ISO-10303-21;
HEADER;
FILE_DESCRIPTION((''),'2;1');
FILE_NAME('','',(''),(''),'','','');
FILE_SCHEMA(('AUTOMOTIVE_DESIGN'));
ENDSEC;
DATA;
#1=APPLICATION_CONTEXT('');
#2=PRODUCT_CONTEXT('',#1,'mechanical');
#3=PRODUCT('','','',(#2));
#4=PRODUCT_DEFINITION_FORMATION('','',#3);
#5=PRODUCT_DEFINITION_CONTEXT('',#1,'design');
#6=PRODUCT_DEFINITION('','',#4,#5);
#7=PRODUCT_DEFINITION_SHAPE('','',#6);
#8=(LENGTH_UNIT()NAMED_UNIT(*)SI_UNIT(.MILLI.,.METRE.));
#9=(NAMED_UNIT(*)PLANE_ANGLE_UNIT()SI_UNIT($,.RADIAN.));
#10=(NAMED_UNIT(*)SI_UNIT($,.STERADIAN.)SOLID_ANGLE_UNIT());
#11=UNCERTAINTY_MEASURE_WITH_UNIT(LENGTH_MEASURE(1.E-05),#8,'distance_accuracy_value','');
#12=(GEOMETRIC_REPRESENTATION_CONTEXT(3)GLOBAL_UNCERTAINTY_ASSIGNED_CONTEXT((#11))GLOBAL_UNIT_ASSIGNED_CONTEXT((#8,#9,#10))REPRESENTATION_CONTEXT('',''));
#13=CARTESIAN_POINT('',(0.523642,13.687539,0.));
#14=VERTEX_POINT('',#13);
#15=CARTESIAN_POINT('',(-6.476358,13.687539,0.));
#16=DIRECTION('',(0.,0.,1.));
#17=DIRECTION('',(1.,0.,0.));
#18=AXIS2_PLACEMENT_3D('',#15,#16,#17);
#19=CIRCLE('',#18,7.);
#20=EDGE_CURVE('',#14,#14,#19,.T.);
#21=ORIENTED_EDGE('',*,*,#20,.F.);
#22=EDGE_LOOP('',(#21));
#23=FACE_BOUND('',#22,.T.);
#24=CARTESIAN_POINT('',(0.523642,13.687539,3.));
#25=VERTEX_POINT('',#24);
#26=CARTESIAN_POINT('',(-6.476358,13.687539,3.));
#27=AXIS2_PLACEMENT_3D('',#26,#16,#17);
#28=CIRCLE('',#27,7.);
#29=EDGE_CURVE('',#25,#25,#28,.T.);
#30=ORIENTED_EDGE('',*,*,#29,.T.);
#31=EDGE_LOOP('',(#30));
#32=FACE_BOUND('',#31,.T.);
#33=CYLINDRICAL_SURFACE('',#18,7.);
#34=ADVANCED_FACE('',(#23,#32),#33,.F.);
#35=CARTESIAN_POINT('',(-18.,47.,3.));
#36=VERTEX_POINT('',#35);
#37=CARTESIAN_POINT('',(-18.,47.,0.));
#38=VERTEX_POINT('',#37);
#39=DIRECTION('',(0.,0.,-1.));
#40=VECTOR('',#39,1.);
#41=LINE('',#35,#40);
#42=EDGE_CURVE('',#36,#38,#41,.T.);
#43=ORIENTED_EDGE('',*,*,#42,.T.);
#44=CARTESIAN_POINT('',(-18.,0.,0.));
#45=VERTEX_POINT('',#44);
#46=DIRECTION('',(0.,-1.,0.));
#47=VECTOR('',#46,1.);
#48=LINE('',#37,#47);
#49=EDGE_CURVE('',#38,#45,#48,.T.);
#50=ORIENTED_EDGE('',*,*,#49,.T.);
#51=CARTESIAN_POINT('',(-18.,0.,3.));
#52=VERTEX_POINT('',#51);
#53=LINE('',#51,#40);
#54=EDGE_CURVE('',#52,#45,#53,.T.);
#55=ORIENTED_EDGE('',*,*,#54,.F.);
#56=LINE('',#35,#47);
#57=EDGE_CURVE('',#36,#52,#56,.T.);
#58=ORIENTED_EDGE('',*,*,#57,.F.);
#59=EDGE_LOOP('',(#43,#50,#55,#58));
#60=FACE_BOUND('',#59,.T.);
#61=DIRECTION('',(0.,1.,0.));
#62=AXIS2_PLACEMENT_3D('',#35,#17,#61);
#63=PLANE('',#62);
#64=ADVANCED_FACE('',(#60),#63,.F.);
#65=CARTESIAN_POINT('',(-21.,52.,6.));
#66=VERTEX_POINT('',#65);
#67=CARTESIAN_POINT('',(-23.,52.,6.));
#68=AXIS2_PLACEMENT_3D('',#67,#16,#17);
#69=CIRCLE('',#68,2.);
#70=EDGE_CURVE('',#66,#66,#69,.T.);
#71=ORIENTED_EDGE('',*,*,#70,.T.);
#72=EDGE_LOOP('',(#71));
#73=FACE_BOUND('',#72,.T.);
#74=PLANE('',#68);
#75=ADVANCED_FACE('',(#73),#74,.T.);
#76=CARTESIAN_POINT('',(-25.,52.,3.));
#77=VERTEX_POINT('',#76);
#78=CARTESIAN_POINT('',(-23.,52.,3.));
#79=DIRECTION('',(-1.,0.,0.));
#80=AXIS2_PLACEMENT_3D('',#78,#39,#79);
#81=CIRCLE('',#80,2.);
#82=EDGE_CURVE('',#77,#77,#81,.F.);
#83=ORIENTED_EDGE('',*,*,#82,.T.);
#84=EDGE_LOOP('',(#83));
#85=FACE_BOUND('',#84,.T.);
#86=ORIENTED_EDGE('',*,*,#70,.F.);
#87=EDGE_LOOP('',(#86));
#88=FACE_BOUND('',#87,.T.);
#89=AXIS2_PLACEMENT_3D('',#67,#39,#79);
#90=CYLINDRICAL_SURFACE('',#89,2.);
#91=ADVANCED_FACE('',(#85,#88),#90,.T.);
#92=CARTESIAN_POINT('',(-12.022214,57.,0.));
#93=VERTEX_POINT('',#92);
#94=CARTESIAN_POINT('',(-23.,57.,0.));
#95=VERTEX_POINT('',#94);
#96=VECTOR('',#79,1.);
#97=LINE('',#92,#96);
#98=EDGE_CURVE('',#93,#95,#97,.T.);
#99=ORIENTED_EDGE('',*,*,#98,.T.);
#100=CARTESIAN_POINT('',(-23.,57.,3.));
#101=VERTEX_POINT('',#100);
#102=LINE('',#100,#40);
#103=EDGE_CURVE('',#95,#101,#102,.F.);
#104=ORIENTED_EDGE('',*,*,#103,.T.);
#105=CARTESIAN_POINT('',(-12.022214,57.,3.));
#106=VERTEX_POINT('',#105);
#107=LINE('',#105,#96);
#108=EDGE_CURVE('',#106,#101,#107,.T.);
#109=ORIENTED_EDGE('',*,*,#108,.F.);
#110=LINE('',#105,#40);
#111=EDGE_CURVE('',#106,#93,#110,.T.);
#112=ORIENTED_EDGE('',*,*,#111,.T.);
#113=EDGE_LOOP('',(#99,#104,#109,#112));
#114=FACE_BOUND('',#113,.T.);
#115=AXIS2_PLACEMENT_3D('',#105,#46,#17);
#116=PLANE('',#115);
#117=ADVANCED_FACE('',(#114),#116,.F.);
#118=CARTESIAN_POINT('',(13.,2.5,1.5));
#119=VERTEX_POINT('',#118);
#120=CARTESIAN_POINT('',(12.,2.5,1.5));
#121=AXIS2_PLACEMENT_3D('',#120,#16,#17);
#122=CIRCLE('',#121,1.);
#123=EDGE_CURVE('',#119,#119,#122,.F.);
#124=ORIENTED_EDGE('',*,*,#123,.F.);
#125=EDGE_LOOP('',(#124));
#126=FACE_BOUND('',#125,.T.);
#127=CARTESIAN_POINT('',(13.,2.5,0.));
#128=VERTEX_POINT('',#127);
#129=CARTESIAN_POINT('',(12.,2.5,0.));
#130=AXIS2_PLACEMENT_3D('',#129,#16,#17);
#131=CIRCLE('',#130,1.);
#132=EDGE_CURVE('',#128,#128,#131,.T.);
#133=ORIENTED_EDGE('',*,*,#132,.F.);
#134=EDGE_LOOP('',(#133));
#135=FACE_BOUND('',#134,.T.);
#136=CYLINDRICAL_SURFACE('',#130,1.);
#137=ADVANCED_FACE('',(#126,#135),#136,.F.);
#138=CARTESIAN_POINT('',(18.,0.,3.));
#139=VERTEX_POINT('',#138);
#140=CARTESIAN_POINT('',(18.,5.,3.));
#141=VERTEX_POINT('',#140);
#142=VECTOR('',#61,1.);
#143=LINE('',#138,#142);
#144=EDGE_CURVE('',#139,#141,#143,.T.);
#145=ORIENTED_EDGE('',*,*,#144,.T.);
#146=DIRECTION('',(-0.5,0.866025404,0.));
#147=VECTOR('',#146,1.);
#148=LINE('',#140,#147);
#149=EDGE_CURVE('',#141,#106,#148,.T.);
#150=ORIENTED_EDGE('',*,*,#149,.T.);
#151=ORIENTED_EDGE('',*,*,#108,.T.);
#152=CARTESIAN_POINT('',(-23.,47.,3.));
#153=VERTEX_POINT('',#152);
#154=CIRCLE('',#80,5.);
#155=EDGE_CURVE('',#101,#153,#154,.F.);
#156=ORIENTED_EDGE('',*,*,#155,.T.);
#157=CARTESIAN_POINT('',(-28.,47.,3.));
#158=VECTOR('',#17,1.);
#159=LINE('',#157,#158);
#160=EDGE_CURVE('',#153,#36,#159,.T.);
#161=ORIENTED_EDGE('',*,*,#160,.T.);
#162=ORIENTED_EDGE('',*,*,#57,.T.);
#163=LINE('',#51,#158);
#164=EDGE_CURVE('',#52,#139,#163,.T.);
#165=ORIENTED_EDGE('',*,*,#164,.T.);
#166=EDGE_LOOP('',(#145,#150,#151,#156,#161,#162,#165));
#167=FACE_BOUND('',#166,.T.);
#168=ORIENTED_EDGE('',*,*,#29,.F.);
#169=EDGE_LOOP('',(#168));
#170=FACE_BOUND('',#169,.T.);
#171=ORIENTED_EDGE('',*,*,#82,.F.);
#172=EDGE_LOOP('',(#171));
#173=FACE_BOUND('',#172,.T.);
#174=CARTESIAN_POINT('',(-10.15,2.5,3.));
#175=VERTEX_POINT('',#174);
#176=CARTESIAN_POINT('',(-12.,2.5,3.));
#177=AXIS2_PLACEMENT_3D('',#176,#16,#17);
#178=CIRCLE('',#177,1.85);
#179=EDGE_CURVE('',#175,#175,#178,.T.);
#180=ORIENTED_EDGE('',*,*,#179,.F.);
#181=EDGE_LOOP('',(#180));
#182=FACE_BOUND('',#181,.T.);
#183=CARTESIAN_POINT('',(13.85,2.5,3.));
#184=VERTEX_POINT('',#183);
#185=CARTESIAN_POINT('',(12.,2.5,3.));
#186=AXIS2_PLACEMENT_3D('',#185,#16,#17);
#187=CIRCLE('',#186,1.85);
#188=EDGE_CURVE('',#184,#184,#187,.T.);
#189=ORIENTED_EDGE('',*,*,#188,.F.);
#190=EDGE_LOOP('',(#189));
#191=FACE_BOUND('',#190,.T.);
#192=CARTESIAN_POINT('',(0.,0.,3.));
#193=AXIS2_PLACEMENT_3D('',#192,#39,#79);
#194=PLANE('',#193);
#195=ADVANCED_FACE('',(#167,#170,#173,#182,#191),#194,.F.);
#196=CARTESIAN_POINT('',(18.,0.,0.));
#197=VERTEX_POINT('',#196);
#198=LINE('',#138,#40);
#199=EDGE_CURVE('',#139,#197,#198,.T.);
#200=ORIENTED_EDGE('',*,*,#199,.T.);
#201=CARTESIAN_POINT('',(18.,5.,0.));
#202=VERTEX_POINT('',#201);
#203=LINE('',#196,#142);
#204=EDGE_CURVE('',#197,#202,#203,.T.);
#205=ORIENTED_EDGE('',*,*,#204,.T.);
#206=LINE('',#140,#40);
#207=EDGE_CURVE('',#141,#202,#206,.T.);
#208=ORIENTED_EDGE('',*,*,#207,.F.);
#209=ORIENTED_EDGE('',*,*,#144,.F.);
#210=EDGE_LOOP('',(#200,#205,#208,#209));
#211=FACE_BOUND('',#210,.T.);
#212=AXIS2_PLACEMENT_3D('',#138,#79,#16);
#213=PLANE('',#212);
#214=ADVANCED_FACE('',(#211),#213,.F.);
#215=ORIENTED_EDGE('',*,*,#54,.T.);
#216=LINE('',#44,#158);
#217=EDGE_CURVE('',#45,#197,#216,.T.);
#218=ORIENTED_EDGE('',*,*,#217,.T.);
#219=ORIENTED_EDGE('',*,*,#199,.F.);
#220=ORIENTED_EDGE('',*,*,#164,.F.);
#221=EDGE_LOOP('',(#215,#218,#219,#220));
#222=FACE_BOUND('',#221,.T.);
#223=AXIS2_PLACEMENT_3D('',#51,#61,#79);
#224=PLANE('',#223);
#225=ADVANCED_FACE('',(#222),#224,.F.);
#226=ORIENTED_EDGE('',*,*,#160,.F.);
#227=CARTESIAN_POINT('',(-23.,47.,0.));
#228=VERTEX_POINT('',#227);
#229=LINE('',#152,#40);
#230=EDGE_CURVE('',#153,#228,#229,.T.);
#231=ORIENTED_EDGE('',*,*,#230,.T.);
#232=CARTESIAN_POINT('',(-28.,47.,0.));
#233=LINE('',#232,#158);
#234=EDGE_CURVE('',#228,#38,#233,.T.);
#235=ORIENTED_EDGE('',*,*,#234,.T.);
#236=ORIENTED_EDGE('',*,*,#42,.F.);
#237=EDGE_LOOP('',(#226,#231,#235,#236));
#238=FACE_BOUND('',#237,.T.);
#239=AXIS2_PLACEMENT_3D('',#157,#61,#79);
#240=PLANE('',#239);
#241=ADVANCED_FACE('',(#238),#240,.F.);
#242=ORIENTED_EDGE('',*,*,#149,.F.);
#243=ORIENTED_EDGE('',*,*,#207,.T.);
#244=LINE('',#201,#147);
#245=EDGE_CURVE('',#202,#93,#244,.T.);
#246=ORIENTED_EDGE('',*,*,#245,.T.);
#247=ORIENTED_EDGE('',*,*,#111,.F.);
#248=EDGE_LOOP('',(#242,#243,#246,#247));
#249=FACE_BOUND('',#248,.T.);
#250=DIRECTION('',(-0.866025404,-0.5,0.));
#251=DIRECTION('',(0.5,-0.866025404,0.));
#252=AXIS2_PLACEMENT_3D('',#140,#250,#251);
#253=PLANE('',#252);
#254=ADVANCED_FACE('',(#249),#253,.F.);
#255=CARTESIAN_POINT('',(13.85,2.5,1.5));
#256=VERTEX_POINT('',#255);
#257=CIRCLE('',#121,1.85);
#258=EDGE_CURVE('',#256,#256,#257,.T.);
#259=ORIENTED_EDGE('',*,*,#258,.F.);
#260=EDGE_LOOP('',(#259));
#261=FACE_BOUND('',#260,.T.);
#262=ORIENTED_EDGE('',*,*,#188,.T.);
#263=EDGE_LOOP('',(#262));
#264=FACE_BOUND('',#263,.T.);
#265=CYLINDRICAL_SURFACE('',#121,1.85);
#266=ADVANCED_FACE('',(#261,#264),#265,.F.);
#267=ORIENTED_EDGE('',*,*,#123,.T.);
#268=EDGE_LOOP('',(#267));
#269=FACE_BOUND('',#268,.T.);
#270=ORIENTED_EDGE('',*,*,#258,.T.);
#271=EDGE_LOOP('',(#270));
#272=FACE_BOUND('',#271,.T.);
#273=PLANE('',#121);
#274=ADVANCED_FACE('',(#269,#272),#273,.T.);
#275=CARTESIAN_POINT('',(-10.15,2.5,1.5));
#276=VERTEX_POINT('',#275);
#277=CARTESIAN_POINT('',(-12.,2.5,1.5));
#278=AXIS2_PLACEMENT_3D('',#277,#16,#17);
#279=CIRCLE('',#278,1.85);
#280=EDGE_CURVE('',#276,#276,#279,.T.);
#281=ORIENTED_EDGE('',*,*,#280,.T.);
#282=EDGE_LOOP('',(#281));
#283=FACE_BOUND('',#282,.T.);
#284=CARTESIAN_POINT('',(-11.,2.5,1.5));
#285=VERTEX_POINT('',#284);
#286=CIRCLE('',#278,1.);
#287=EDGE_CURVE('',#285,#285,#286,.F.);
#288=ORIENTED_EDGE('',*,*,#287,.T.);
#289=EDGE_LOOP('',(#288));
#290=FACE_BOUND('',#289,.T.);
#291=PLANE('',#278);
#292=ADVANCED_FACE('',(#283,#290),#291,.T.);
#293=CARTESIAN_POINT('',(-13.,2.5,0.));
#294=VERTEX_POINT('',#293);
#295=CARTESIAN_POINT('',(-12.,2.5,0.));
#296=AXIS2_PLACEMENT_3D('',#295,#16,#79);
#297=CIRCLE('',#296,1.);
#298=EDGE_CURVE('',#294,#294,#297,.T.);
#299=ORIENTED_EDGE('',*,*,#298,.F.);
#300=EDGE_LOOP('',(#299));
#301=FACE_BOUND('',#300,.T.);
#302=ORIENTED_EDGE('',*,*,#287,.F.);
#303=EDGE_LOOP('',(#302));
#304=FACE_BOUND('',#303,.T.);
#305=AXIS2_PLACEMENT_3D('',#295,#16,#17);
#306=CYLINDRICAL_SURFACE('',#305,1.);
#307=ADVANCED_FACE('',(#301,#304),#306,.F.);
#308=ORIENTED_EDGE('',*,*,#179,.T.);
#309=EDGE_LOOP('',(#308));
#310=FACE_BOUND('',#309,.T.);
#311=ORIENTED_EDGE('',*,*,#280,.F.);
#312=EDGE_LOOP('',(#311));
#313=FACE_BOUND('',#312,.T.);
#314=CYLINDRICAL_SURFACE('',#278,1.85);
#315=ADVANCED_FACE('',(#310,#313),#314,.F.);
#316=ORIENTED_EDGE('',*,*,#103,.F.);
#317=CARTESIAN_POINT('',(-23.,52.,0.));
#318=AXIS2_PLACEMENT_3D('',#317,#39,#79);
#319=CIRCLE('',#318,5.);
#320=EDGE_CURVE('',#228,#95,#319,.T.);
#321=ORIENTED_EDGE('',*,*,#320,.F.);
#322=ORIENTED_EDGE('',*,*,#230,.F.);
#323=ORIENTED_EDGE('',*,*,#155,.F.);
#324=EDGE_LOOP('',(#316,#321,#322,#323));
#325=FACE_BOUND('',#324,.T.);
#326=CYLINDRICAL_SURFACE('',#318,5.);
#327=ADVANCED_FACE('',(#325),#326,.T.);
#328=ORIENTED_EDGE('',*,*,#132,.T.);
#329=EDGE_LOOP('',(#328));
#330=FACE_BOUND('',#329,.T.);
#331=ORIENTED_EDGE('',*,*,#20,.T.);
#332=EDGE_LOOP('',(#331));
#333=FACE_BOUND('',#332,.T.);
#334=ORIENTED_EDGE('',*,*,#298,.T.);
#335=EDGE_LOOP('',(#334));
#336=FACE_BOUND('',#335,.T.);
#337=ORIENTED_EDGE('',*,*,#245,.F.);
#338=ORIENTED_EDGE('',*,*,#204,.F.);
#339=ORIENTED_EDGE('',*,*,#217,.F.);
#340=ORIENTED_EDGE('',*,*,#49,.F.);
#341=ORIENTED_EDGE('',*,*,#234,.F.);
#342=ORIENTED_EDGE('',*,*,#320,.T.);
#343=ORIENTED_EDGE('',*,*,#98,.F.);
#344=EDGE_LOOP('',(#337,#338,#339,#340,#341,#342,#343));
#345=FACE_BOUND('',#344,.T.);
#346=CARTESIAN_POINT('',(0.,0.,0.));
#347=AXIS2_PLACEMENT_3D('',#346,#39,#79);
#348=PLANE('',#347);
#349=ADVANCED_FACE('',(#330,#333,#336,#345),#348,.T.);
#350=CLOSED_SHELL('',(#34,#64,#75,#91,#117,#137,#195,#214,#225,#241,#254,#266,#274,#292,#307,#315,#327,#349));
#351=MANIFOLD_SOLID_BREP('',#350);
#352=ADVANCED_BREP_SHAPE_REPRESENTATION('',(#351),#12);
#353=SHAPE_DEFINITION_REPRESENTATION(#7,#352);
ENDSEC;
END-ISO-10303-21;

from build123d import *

# Parameters (mm, degrees)
EXTRUDE_1_DEPTH     = 3
SKETCH_3_R          = 7
CUT_EXTRUDE_1_DEPTH = 64.576725301
SKETCH_4_R          = 1
CUT_EXTRUDE_2_DEPTH = 64.576725301
SKETCH_5_R          = 2
EXTRUDE_2_DEPTH     = 3
FILLET_1_RADIUS     = 5
FILLET_1_LENGTH     = 3
SKETCH_6_R          = 1.85
CUT_EXTRUDE_3_DEPTH = 1.5


with BuildPart() as part:
    # 草图1 → 凸台-拉伸1 (new body)
    with BuildSketch(Plane.XY):
        Polygon((-18, 0), (18, 0), (18, 5), (-12.022213998, 57), (-28, 57), (-28, 47), (-18, 47), align=None)
    extrude(amount=EXTRUDE_1_DEPTH)

    # 草图3 → 切除-拉伸1 (cut, through all)
    with BuildSketch(Plane.XY.offset(3)):
        with Locations((-6.476357534, 13.687539211)):
            Circle(SKETCH_3_R)
    extrude(amount=-CUT_EXTRUDE_1_DEPTH, mode=Mode.SUBTRACT)

    # 草图4 → 切除-拉伸2 (cut, through all)
    with BuildSketch(Plane.XY.offset(3)):
        with Locations((12, 2.5)):
            Circle(SKETCH_4_R)
        with Locations(Location((-12, 2.5, 0), (0, 0, 180))):
            Circle(SKETCH_4_R)
    extrude(amount=-CUT_EXTRUDE_2_DEPTH, mode=Mode.SUBTRACT)

    # 草图5 → 凸台-拉伸2 (add)
    with BuildSketch(Plane.XY.offset(3)):
        with Locations(Location((-23, 52, 0), (0, 0, 180))):
            Circle(SKETCH_5_R)
    extrude(amount=EXTRUDE_2_DEPTH)

    # 圆角1: full round fillet: the end face becomes a half cylinder, R = half its width
    fillet_1_face = Plane((-28, 52, 1.5), x_dir=(0, 0, 1), z_dir=(-1, 0, 0))  # on the end face: x along it, z out of the body
    fillet_1_slab = fillet_1_face.offset(-FILLET_1_RADIUS / 2) * Box(FILLET_1_LENGTH, 2 * FILLET_1_RADIUS, FILLET_1_RADIUS, mode=Mode.PRIVATE)  # the body's end, R deep
    fillet_1_round = Plane((-23, 52, 1.5), x_dir=(-1, 0, 0), z_dir=(0, 0, 1)) * Cylinder(FILLET_1_RADIUS, FILLET_1_LENGTH, mode=Mode.PRIVATE)  # its axis R under the face
    add(fillet_1_slab - fillet_1_round, mode=Mode.SUBTRACT)

    # 草图6 → 切除-拉伸3 (cut)
    with BuildSketch(Plane.XY.offset(3)):
        with Locations((12, 2.5)):
            Circle(SKETCH_6_R)
        with Locations((-12, 2.5)):
            Circle(SKETCH_6_R)
    extrude(amount=-CUT_EXTRUDE_3_DEPTH, mode=Mode.SUBTRACT)


solid = part.part
